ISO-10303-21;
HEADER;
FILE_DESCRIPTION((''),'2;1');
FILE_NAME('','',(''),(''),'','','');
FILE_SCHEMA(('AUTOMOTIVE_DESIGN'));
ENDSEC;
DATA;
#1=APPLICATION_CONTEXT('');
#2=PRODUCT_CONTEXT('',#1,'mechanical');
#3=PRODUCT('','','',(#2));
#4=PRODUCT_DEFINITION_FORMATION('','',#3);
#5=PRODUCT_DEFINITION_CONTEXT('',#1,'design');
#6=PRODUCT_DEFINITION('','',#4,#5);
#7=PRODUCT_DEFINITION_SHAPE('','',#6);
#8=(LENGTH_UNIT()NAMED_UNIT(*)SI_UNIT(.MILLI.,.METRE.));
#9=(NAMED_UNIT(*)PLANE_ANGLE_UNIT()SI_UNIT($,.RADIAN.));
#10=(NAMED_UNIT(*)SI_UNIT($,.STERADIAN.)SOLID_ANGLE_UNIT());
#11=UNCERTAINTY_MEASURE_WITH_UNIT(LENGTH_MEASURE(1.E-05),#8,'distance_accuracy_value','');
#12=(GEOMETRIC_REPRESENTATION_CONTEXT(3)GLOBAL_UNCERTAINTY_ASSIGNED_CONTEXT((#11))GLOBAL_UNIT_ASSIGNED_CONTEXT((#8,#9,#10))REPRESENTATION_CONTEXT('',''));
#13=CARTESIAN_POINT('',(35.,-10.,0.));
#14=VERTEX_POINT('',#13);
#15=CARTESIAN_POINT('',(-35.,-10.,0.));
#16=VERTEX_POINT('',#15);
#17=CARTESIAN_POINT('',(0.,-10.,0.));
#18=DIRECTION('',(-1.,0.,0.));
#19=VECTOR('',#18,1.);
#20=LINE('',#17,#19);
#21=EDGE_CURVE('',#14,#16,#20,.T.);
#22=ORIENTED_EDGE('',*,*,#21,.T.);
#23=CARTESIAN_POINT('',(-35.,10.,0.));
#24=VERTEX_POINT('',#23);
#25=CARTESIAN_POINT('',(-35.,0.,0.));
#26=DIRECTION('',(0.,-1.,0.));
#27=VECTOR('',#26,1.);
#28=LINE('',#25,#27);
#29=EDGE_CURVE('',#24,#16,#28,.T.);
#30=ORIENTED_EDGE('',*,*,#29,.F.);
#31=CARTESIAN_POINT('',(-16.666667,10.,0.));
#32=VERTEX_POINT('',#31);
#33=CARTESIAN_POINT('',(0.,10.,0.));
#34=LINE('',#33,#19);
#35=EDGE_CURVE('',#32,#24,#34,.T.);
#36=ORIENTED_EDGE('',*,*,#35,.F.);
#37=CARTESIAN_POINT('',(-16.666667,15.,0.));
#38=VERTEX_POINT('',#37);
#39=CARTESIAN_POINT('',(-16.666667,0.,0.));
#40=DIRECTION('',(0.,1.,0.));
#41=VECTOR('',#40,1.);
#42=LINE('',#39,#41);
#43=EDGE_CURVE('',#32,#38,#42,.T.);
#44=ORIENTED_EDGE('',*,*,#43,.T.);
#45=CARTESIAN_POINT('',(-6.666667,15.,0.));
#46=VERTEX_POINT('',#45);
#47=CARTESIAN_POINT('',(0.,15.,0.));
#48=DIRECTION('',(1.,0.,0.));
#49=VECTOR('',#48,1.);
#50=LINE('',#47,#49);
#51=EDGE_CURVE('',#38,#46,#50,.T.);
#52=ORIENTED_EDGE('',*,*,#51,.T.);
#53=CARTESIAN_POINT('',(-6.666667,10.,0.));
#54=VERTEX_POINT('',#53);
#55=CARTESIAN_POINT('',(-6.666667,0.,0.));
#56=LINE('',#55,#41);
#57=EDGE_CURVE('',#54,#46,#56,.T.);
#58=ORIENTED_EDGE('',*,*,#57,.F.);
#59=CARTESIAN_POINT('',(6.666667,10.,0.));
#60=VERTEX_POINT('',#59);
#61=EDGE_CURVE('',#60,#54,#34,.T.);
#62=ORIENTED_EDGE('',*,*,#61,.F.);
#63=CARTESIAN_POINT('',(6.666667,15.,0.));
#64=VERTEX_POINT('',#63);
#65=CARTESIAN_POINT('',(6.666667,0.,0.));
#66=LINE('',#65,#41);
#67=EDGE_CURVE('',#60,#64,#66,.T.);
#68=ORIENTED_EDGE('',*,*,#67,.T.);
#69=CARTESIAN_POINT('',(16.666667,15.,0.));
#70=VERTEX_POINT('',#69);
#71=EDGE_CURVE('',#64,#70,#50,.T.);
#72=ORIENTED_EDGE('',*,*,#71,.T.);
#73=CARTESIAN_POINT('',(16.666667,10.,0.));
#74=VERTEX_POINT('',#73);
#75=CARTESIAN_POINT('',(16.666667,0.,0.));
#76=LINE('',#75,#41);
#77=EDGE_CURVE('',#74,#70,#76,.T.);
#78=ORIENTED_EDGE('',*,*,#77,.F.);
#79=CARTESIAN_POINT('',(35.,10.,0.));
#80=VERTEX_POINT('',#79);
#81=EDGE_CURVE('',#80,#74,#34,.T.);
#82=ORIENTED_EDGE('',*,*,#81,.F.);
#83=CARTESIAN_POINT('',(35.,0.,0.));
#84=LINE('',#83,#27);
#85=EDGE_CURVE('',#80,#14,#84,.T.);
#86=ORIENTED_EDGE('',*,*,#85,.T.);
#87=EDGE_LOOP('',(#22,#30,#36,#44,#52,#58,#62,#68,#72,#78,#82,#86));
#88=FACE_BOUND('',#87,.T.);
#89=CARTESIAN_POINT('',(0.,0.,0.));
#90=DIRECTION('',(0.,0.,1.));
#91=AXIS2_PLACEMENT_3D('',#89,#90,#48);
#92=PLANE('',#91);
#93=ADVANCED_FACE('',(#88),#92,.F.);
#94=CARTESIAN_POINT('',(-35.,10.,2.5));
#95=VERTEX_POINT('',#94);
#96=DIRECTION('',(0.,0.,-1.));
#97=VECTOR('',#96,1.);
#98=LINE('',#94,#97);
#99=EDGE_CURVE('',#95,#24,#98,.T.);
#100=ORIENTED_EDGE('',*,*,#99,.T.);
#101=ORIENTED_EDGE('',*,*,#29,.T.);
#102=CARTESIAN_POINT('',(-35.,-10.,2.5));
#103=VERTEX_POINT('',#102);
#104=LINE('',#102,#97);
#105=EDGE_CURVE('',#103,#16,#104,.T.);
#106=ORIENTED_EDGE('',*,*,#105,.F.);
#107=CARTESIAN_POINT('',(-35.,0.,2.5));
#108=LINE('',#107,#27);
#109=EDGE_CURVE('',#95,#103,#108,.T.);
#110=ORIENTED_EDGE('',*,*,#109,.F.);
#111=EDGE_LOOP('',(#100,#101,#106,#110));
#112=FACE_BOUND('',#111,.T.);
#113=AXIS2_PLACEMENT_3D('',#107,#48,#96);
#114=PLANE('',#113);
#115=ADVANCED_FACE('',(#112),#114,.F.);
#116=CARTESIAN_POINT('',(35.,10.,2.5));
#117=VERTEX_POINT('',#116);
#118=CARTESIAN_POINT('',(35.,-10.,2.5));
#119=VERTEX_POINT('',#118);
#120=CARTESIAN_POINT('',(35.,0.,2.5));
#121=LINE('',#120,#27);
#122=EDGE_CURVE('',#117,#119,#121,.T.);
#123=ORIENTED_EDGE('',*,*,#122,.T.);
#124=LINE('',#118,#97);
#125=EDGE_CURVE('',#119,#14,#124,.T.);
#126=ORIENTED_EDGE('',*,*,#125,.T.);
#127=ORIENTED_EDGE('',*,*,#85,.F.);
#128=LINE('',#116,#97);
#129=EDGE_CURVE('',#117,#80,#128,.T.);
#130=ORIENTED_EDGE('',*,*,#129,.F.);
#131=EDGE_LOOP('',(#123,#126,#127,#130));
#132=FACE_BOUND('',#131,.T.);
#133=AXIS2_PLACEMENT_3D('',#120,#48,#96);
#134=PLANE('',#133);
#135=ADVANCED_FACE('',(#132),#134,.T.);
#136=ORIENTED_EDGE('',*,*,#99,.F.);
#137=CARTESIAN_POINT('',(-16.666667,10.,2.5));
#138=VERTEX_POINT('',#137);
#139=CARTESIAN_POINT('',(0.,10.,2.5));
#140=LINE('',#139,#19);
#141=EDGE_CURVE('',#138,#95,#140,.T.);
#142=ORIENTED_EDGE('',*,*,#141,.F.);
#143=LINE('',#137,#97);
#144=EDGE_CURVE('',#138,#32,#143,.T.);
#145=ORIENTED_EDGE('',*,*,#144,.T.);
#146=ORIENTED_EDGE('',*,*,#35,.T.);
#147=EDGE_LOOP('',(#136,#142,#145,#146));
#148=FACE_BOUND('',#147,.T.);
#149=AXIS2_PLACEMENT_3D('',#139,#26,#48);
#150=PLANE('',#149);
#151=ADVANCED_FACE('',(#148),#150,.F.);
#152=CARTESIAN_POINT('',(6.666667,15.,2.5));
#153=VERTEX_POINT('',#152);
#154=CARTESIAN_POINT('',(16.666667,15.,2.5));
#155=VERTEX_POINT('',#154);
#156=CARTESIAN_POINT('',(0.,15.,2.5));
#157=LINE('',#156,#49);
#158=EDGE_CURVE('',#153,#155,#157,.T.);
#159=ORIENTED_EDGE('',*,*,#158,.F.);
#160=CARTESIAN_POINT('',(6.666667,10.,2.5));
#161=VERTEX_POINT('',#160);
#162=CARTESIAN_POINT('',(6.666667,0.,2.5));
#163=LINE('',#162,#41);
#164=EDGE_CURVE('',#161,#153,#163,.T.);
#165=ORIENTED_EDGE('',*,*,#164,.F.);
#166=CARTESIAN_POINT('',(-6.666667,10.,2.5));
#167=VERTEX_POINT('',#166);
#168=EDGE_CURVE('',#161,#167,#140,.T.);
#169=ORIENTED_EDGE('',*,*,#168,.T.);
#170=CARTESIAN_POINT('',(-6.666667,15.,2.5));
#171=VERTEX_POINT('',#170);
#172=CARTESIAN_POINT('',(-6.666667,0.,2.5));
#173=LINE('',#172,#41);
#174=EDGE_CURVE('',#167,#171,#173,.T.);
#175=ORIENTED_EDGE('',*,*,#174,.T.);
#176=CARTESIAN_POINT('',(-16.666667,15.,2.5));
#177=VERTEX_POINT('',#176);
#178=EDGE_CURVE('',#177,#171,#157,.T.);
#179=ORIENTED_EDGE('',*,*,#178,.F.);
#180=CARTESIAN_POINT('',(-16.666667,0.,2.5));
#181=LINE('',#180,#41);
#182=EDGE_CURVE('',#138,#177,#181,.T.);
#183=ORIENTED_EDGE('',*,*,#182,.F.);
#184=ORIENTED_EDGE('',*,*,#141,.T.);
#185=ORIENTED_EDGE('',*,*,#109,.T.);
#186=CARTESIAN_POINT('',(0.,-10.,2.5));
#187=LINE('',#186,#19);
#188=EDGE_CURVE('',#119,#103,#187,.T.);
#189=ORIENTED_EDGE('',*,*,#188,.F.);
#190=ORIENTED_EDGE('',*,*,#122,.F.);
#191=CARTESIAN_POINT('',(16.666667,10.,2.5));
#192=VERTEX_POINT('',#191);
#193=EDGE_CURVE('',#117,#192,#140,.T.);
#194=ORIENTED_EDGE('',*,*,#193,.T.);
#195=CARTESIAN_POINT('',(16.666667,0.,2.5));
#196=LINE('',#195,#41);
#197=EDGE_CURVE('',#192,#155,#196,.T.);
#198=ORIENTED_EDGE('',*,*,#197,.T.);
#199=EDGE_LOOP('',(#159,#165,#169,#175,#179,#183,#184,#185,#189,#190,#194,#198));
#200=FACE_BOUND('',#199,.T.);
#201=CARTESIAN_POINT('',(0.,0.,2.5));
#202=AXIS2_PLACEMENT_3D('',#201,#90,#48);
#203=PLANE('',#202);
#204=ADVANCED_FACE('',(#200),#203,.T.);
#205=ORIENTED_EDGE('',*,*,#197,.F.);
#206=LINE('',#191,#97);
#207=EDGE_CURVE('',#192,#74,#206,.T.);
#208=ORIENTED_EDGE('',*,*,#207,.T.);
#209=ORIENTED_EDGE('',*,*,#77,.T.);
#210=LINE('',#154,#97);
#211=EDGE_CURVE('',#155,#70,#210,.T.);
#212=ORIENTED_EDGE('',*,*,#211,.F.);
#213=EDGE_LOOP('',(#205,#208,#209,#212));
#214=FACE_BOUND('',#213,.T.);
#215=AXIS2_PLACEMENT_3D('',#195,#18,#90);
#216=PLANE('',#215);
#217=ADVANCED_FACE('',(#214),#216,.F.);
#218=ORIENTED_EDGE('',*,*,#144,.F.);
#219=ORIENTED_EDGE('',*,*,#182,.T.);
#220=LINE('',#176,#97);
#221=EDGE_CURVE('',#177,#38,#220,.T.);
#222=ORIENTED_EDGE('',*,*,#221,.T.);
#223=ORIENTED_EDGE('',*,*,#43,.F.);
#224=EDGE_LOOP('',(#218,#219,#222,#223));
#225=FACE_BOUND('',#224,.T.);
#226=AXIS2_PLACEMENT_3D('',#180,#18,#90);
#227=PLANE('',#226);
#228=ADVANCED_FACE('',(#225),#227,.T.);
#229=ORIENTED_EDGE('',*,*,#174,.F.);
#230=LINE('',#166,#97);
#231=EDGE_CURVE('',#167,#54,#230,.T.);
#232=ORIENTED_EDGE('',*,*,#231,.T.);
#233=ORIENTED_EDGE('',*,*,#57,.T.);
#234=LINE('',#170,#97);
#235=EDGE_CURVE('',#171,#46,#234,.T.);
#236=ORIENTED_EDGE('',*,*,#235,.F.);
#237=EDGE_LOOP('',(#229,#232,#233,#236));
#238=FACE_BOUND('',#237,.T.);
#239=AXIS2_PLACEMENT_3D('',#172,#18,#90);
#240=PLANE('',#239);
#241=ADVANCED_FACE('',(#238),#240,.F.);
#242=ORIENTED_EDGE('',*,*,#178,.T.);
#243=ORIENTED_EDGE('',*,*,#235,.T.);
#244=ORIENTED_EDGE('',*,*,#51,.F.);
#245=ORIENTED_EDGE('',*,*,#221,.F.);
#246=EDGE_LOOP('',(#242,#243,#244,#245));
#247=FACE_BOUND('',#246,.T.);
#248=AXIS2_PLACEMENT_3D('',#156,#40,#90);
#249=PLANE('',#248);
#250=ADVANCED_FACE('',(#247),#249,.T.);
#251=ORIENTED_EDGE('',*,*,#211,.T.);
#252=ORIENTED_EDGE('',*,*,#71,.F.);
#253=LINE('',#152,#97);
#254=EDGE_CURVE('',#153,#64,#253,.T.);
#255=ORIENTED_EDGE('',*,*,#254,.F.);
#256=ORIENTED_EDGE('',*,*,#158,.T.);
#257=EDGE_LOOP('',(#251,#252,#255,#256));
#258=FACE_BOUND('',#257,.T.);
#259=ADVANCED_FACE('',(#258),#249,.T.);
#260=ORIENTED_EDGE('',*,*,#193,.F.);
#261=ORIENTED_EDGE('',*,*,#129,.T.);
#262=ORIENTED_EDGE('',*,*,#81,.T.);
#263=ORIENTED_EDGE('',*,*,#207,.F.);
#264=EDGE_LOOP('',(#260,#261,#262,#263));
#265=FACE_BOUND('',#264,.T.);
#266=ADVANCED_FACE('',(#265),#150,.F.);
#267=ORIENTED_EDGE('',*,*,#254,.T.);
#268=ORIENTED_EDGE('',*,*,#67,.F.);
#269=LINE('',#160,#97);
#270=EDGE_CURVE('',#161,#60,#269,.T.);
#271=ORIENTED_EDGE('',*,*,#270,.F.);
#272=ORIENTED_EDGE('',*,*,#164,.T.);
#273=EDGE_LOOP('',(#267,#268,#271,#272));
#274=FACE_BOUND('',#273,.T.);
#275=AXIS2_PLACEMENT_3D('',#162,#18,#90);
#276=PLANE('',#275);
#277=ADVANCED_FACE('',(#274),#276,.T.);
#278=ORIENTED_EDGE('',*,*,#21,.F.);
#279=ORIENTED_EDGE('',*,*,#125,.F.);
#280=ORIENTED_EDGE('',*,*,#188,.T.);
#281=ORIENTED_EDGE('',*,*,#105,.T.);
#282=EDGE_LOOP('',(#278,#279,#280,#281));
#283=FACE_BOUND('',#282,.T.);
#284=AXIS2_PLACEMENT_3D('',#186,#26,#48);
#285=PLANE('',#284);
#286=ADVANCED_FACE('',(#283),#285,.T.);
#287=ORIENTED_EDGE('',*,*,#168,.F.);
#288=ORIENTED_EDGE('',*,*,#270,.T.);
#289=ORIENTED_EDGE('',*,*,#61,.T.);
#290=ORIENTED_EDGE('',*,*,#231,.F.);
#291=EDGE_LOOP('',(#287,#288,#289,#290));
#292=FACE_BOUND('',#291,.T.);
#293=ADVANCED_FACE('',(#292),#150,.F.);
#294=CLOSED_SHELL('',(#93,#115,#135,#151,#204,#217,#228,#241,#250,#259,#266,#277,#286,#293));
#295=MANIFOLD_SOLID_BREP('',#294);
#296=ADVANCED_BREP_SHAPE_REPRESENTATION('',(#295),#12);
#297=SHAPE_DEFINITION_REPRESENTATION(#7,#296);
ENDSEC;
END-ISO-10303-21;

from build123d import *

# Parameters (mm, degrees)
SKETCH1_W           = 70
SKETCH1_H           = 20
SKETCH1_W_2         = 10
SKETCH1_H_2         = 5
BOSS_EXTRUDE1_DEPTH = 2.5


with BuildPart() as part:
    # Sketch1 → Boss-Extrude1 (new body)
    with BuildSketch(Plane.XY):
        Rectangle(SKETCH1_W, SKETCH1_H)
        with Locations((-11.666666667, 12.5)):
            Rectangle(SKETCH1_W_2, SKETCH1_H_2)
        with Locations((11.666666667, 12.5)):
            Rectangle(SKETCH1_W_2, SKETCH1_H_2)
    extrude(amount=BOSS_EXTRUDE1_DEPTH)


solid = part.part
